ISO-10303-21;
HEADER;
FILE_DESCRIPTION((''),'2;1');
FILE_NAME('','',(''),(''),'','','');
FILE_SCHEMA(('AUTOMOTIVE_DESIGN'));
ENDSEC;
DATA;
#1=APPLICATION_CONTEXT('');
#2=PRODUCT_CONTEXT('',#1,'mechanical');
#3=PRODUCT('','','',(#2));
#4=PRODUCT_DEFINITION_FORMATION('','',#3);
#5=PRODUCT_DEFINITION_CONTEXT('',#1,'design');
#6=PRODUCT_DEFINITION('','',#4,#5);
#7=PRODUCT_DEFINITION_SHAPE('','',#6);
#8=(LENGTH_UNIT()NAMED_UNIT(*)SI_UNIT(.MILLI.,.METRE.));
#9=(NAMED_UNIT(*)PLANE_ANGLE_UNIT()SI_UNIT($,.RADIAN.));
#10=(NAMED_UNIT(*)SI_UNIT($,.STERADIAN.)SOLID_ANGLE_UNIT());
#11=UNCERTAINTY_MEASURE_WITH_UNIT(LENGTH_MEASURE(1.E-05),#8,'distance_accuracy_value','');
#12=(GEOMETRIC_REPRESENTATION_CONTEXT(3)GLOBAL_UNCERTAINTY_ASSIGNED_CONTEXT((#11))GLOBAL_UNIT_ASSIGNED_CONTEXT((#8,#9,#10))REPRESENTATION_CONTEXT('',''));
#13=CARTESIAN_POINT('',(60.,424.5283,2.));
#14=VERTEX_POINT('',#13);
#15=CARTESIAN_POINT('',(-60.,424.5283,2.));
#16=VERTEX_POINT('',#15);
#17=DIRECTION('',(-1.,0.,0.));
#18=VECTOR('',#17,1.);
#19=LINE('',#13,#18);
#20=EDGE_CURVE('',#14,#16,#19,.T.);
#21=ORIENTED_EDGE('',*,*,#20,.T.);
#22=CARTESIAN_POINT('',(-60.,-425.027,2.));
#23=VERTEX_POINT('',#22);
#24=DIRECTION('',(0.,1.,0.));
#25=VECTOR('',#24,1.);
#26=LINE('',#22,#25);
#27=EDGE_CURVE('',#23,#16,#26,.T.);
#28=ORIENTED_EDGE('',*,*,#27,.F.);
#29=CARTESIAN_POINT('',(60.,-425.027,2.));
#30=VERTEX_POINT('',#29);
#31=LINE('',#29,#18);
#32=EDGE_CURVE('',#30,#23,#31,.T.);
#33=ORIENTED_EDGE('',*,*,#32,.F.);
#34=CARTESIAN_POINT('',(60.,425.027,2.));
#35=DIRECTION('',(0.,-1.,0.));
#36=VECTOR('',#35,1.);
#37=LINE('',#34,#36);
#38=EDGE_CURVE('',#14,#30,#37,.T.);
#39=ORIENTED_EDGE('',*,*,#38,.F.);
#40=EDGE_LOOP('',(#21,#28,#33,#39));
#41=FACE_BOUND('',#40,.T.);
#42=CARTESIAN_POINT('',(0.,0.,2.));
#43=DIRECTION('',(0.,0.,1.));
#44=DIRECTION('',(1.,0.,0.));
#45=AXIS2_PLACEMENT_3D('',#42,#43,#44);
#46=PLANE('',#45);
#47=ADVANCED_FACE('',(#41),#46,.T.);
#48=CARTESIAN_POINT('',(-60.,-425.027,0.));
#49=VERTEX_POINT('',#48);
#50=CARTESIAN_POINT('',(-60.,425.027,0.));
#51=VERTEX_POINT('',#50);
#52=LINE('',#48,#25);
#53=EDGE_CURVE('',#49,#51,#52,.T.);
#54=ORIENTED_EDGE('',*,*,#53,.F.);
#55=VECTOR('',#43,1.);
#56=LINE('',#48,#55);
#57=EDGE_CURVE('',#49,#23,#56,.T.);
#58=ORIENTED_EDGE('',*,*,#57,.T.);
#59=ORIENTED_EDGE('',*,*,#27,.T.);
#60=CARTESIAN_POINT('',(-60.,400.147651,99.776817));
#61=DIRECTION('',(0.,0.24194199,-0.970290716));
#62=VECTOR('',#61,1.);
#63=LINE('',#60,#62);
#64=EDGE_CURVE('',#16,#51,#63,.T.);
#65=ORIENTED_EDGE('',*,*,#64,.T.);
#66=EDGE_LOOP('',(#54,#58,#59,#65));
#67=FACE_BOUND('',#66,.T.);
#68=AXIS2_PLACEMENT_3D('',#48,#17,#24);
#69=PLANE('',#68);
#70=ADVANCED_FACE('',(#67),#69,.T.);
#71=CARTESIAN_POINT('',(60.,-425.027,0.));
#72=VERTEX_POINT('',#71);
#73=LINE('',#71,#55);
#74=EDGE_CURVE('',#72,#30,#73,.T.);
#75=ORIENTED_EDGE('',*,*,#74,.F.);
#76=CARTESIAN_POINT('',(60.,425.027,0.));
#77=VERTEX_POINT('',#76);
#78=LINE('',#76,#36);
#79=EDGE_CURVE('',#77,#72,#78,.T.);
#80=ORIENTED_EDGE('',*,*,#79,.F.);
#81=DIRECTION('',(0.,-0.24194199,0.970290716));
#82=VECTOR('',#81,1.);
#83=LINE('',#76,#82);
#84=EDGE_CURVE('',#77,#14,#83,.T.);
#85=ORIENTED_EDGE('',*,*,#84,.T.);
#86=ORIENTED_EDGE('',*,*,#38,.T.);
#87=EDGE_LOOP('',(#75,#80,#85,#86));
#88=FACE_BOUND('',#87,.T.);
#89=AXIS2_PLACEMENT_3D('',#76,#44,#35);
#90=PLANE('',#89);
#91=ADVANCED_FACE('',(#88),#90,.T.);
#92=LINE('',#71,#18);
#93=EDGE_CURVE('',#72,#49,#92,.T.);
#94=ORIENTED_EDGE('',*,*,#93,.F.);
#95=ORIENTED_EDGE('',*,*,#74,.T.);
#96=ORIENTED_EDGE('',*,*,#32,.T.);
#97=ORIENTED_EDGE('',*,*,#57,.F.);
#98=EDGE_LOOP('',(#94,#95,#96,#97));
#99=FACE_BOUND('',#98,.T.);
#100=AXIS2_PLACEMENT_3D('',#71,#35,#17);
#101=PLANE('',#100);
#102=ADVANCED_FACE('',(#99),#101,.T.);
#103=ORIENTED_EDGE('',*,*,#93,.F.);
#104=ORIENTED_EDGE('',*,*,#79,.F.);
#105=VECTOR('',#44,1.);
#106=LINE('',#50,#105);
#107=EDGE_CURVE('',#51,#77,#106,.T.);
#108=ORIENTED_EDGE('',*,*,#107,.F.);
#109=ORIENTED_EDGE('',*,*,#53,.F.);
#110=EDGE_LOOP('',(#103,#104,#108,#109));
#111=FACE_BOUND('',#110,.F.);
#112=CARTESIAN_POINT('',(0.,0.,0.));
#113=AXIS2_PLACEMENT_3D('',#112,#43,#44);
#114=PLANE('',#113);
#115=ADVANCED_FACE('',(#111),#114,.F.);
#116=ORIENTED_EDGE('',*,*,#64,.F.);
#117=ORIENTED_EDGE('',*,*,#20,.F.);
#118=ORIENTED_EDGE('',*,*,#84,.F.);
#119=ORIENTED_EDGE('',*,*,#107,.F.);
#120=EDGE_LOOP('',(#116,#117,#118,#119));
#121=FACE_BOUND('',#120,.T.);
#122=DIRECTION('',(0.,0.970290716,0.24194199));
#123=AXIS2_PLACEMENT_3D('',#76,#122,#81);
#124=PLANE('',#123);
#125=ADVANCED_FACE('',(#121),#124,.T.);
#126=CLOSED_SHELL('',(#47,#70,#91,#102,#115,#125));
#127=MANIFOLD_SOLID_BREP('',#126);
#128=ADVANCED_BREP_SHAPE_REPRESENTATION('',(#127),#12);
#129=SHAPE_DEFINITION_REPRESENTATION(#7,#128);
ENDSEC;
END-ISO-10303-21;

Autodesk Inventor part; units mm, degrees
ref_plane "YZ Plane" through (0, 0, 0) normal (1, 0, 0) x (0, 1, 0)
ref_plane "XZ Plane" through (0, 0, 0) normal (0, 1, 0) x (-1, 0, 0)
ref_plane "XY Plane" through (0, 0, 0) normal (0, 0, 1) x (1, 0, 0)
sketch "Sketch1" plane through (0, 0, 0) normal (0, 0, 1) x (1, 0, 0)
  line L0 (-60, 425.027) -> (60, 425.027)
  line L1 (60, 425.027) -> (60, -425.027)
  line L2 (60, -425.027) -> (-60, -425.027)
  line L3 (-60, -425.027) -> (-60, 425.027)
  line L4 (-60, 425.027) -> (60, -425.027) construction
  point P0 (0, 0)
  point P1 (0, 0)
  dimension "d0" = 120
  dimension "d1" = 850.054
extrude "Plate1" add sketch "Sketch1" along normal blind 2
sketch "Sketch2" plane through (60, -425.027, 0) normal (1, 0, 0) x (0, 0, -1)
  line L0 (0, 0) -> (0, 850.054) projected
  line L1 (0, 850.054) -> (-2, 849.5553)
  line L2 (-2, 850.054) -> (-2, 0) projected
  line L3 (0, 850.054) -> (-2, 850.054) projected
  point P0 (0, 425.027)
  dimension "d4" = 14
extrude "Extrusion1" cut sketch "Sketch2" against normal through all
equation "\"d2\" = Thickness"
equation "\"BendReliefWidth\" = Thickness"
equation "\"BendReliefDepth\" = 0.5 * Thickness"
equation "\"CornerReliefSize\" = 4 * Thickness"
equation "\"MinimumRemnant\" = 2 * Thickness"
equation "\"TransitionRadius\" = BendRadius"
equation "\"JacobiRadiusSize\" = BendRadius"
equation "\"GapSize\" = Thickness"
equation "\"Thickness\" = 2"
equation "\"BendRadius\" = 2.75"
properties part number "MNT-CDF-603 CAP" material "Stainless Steel"
